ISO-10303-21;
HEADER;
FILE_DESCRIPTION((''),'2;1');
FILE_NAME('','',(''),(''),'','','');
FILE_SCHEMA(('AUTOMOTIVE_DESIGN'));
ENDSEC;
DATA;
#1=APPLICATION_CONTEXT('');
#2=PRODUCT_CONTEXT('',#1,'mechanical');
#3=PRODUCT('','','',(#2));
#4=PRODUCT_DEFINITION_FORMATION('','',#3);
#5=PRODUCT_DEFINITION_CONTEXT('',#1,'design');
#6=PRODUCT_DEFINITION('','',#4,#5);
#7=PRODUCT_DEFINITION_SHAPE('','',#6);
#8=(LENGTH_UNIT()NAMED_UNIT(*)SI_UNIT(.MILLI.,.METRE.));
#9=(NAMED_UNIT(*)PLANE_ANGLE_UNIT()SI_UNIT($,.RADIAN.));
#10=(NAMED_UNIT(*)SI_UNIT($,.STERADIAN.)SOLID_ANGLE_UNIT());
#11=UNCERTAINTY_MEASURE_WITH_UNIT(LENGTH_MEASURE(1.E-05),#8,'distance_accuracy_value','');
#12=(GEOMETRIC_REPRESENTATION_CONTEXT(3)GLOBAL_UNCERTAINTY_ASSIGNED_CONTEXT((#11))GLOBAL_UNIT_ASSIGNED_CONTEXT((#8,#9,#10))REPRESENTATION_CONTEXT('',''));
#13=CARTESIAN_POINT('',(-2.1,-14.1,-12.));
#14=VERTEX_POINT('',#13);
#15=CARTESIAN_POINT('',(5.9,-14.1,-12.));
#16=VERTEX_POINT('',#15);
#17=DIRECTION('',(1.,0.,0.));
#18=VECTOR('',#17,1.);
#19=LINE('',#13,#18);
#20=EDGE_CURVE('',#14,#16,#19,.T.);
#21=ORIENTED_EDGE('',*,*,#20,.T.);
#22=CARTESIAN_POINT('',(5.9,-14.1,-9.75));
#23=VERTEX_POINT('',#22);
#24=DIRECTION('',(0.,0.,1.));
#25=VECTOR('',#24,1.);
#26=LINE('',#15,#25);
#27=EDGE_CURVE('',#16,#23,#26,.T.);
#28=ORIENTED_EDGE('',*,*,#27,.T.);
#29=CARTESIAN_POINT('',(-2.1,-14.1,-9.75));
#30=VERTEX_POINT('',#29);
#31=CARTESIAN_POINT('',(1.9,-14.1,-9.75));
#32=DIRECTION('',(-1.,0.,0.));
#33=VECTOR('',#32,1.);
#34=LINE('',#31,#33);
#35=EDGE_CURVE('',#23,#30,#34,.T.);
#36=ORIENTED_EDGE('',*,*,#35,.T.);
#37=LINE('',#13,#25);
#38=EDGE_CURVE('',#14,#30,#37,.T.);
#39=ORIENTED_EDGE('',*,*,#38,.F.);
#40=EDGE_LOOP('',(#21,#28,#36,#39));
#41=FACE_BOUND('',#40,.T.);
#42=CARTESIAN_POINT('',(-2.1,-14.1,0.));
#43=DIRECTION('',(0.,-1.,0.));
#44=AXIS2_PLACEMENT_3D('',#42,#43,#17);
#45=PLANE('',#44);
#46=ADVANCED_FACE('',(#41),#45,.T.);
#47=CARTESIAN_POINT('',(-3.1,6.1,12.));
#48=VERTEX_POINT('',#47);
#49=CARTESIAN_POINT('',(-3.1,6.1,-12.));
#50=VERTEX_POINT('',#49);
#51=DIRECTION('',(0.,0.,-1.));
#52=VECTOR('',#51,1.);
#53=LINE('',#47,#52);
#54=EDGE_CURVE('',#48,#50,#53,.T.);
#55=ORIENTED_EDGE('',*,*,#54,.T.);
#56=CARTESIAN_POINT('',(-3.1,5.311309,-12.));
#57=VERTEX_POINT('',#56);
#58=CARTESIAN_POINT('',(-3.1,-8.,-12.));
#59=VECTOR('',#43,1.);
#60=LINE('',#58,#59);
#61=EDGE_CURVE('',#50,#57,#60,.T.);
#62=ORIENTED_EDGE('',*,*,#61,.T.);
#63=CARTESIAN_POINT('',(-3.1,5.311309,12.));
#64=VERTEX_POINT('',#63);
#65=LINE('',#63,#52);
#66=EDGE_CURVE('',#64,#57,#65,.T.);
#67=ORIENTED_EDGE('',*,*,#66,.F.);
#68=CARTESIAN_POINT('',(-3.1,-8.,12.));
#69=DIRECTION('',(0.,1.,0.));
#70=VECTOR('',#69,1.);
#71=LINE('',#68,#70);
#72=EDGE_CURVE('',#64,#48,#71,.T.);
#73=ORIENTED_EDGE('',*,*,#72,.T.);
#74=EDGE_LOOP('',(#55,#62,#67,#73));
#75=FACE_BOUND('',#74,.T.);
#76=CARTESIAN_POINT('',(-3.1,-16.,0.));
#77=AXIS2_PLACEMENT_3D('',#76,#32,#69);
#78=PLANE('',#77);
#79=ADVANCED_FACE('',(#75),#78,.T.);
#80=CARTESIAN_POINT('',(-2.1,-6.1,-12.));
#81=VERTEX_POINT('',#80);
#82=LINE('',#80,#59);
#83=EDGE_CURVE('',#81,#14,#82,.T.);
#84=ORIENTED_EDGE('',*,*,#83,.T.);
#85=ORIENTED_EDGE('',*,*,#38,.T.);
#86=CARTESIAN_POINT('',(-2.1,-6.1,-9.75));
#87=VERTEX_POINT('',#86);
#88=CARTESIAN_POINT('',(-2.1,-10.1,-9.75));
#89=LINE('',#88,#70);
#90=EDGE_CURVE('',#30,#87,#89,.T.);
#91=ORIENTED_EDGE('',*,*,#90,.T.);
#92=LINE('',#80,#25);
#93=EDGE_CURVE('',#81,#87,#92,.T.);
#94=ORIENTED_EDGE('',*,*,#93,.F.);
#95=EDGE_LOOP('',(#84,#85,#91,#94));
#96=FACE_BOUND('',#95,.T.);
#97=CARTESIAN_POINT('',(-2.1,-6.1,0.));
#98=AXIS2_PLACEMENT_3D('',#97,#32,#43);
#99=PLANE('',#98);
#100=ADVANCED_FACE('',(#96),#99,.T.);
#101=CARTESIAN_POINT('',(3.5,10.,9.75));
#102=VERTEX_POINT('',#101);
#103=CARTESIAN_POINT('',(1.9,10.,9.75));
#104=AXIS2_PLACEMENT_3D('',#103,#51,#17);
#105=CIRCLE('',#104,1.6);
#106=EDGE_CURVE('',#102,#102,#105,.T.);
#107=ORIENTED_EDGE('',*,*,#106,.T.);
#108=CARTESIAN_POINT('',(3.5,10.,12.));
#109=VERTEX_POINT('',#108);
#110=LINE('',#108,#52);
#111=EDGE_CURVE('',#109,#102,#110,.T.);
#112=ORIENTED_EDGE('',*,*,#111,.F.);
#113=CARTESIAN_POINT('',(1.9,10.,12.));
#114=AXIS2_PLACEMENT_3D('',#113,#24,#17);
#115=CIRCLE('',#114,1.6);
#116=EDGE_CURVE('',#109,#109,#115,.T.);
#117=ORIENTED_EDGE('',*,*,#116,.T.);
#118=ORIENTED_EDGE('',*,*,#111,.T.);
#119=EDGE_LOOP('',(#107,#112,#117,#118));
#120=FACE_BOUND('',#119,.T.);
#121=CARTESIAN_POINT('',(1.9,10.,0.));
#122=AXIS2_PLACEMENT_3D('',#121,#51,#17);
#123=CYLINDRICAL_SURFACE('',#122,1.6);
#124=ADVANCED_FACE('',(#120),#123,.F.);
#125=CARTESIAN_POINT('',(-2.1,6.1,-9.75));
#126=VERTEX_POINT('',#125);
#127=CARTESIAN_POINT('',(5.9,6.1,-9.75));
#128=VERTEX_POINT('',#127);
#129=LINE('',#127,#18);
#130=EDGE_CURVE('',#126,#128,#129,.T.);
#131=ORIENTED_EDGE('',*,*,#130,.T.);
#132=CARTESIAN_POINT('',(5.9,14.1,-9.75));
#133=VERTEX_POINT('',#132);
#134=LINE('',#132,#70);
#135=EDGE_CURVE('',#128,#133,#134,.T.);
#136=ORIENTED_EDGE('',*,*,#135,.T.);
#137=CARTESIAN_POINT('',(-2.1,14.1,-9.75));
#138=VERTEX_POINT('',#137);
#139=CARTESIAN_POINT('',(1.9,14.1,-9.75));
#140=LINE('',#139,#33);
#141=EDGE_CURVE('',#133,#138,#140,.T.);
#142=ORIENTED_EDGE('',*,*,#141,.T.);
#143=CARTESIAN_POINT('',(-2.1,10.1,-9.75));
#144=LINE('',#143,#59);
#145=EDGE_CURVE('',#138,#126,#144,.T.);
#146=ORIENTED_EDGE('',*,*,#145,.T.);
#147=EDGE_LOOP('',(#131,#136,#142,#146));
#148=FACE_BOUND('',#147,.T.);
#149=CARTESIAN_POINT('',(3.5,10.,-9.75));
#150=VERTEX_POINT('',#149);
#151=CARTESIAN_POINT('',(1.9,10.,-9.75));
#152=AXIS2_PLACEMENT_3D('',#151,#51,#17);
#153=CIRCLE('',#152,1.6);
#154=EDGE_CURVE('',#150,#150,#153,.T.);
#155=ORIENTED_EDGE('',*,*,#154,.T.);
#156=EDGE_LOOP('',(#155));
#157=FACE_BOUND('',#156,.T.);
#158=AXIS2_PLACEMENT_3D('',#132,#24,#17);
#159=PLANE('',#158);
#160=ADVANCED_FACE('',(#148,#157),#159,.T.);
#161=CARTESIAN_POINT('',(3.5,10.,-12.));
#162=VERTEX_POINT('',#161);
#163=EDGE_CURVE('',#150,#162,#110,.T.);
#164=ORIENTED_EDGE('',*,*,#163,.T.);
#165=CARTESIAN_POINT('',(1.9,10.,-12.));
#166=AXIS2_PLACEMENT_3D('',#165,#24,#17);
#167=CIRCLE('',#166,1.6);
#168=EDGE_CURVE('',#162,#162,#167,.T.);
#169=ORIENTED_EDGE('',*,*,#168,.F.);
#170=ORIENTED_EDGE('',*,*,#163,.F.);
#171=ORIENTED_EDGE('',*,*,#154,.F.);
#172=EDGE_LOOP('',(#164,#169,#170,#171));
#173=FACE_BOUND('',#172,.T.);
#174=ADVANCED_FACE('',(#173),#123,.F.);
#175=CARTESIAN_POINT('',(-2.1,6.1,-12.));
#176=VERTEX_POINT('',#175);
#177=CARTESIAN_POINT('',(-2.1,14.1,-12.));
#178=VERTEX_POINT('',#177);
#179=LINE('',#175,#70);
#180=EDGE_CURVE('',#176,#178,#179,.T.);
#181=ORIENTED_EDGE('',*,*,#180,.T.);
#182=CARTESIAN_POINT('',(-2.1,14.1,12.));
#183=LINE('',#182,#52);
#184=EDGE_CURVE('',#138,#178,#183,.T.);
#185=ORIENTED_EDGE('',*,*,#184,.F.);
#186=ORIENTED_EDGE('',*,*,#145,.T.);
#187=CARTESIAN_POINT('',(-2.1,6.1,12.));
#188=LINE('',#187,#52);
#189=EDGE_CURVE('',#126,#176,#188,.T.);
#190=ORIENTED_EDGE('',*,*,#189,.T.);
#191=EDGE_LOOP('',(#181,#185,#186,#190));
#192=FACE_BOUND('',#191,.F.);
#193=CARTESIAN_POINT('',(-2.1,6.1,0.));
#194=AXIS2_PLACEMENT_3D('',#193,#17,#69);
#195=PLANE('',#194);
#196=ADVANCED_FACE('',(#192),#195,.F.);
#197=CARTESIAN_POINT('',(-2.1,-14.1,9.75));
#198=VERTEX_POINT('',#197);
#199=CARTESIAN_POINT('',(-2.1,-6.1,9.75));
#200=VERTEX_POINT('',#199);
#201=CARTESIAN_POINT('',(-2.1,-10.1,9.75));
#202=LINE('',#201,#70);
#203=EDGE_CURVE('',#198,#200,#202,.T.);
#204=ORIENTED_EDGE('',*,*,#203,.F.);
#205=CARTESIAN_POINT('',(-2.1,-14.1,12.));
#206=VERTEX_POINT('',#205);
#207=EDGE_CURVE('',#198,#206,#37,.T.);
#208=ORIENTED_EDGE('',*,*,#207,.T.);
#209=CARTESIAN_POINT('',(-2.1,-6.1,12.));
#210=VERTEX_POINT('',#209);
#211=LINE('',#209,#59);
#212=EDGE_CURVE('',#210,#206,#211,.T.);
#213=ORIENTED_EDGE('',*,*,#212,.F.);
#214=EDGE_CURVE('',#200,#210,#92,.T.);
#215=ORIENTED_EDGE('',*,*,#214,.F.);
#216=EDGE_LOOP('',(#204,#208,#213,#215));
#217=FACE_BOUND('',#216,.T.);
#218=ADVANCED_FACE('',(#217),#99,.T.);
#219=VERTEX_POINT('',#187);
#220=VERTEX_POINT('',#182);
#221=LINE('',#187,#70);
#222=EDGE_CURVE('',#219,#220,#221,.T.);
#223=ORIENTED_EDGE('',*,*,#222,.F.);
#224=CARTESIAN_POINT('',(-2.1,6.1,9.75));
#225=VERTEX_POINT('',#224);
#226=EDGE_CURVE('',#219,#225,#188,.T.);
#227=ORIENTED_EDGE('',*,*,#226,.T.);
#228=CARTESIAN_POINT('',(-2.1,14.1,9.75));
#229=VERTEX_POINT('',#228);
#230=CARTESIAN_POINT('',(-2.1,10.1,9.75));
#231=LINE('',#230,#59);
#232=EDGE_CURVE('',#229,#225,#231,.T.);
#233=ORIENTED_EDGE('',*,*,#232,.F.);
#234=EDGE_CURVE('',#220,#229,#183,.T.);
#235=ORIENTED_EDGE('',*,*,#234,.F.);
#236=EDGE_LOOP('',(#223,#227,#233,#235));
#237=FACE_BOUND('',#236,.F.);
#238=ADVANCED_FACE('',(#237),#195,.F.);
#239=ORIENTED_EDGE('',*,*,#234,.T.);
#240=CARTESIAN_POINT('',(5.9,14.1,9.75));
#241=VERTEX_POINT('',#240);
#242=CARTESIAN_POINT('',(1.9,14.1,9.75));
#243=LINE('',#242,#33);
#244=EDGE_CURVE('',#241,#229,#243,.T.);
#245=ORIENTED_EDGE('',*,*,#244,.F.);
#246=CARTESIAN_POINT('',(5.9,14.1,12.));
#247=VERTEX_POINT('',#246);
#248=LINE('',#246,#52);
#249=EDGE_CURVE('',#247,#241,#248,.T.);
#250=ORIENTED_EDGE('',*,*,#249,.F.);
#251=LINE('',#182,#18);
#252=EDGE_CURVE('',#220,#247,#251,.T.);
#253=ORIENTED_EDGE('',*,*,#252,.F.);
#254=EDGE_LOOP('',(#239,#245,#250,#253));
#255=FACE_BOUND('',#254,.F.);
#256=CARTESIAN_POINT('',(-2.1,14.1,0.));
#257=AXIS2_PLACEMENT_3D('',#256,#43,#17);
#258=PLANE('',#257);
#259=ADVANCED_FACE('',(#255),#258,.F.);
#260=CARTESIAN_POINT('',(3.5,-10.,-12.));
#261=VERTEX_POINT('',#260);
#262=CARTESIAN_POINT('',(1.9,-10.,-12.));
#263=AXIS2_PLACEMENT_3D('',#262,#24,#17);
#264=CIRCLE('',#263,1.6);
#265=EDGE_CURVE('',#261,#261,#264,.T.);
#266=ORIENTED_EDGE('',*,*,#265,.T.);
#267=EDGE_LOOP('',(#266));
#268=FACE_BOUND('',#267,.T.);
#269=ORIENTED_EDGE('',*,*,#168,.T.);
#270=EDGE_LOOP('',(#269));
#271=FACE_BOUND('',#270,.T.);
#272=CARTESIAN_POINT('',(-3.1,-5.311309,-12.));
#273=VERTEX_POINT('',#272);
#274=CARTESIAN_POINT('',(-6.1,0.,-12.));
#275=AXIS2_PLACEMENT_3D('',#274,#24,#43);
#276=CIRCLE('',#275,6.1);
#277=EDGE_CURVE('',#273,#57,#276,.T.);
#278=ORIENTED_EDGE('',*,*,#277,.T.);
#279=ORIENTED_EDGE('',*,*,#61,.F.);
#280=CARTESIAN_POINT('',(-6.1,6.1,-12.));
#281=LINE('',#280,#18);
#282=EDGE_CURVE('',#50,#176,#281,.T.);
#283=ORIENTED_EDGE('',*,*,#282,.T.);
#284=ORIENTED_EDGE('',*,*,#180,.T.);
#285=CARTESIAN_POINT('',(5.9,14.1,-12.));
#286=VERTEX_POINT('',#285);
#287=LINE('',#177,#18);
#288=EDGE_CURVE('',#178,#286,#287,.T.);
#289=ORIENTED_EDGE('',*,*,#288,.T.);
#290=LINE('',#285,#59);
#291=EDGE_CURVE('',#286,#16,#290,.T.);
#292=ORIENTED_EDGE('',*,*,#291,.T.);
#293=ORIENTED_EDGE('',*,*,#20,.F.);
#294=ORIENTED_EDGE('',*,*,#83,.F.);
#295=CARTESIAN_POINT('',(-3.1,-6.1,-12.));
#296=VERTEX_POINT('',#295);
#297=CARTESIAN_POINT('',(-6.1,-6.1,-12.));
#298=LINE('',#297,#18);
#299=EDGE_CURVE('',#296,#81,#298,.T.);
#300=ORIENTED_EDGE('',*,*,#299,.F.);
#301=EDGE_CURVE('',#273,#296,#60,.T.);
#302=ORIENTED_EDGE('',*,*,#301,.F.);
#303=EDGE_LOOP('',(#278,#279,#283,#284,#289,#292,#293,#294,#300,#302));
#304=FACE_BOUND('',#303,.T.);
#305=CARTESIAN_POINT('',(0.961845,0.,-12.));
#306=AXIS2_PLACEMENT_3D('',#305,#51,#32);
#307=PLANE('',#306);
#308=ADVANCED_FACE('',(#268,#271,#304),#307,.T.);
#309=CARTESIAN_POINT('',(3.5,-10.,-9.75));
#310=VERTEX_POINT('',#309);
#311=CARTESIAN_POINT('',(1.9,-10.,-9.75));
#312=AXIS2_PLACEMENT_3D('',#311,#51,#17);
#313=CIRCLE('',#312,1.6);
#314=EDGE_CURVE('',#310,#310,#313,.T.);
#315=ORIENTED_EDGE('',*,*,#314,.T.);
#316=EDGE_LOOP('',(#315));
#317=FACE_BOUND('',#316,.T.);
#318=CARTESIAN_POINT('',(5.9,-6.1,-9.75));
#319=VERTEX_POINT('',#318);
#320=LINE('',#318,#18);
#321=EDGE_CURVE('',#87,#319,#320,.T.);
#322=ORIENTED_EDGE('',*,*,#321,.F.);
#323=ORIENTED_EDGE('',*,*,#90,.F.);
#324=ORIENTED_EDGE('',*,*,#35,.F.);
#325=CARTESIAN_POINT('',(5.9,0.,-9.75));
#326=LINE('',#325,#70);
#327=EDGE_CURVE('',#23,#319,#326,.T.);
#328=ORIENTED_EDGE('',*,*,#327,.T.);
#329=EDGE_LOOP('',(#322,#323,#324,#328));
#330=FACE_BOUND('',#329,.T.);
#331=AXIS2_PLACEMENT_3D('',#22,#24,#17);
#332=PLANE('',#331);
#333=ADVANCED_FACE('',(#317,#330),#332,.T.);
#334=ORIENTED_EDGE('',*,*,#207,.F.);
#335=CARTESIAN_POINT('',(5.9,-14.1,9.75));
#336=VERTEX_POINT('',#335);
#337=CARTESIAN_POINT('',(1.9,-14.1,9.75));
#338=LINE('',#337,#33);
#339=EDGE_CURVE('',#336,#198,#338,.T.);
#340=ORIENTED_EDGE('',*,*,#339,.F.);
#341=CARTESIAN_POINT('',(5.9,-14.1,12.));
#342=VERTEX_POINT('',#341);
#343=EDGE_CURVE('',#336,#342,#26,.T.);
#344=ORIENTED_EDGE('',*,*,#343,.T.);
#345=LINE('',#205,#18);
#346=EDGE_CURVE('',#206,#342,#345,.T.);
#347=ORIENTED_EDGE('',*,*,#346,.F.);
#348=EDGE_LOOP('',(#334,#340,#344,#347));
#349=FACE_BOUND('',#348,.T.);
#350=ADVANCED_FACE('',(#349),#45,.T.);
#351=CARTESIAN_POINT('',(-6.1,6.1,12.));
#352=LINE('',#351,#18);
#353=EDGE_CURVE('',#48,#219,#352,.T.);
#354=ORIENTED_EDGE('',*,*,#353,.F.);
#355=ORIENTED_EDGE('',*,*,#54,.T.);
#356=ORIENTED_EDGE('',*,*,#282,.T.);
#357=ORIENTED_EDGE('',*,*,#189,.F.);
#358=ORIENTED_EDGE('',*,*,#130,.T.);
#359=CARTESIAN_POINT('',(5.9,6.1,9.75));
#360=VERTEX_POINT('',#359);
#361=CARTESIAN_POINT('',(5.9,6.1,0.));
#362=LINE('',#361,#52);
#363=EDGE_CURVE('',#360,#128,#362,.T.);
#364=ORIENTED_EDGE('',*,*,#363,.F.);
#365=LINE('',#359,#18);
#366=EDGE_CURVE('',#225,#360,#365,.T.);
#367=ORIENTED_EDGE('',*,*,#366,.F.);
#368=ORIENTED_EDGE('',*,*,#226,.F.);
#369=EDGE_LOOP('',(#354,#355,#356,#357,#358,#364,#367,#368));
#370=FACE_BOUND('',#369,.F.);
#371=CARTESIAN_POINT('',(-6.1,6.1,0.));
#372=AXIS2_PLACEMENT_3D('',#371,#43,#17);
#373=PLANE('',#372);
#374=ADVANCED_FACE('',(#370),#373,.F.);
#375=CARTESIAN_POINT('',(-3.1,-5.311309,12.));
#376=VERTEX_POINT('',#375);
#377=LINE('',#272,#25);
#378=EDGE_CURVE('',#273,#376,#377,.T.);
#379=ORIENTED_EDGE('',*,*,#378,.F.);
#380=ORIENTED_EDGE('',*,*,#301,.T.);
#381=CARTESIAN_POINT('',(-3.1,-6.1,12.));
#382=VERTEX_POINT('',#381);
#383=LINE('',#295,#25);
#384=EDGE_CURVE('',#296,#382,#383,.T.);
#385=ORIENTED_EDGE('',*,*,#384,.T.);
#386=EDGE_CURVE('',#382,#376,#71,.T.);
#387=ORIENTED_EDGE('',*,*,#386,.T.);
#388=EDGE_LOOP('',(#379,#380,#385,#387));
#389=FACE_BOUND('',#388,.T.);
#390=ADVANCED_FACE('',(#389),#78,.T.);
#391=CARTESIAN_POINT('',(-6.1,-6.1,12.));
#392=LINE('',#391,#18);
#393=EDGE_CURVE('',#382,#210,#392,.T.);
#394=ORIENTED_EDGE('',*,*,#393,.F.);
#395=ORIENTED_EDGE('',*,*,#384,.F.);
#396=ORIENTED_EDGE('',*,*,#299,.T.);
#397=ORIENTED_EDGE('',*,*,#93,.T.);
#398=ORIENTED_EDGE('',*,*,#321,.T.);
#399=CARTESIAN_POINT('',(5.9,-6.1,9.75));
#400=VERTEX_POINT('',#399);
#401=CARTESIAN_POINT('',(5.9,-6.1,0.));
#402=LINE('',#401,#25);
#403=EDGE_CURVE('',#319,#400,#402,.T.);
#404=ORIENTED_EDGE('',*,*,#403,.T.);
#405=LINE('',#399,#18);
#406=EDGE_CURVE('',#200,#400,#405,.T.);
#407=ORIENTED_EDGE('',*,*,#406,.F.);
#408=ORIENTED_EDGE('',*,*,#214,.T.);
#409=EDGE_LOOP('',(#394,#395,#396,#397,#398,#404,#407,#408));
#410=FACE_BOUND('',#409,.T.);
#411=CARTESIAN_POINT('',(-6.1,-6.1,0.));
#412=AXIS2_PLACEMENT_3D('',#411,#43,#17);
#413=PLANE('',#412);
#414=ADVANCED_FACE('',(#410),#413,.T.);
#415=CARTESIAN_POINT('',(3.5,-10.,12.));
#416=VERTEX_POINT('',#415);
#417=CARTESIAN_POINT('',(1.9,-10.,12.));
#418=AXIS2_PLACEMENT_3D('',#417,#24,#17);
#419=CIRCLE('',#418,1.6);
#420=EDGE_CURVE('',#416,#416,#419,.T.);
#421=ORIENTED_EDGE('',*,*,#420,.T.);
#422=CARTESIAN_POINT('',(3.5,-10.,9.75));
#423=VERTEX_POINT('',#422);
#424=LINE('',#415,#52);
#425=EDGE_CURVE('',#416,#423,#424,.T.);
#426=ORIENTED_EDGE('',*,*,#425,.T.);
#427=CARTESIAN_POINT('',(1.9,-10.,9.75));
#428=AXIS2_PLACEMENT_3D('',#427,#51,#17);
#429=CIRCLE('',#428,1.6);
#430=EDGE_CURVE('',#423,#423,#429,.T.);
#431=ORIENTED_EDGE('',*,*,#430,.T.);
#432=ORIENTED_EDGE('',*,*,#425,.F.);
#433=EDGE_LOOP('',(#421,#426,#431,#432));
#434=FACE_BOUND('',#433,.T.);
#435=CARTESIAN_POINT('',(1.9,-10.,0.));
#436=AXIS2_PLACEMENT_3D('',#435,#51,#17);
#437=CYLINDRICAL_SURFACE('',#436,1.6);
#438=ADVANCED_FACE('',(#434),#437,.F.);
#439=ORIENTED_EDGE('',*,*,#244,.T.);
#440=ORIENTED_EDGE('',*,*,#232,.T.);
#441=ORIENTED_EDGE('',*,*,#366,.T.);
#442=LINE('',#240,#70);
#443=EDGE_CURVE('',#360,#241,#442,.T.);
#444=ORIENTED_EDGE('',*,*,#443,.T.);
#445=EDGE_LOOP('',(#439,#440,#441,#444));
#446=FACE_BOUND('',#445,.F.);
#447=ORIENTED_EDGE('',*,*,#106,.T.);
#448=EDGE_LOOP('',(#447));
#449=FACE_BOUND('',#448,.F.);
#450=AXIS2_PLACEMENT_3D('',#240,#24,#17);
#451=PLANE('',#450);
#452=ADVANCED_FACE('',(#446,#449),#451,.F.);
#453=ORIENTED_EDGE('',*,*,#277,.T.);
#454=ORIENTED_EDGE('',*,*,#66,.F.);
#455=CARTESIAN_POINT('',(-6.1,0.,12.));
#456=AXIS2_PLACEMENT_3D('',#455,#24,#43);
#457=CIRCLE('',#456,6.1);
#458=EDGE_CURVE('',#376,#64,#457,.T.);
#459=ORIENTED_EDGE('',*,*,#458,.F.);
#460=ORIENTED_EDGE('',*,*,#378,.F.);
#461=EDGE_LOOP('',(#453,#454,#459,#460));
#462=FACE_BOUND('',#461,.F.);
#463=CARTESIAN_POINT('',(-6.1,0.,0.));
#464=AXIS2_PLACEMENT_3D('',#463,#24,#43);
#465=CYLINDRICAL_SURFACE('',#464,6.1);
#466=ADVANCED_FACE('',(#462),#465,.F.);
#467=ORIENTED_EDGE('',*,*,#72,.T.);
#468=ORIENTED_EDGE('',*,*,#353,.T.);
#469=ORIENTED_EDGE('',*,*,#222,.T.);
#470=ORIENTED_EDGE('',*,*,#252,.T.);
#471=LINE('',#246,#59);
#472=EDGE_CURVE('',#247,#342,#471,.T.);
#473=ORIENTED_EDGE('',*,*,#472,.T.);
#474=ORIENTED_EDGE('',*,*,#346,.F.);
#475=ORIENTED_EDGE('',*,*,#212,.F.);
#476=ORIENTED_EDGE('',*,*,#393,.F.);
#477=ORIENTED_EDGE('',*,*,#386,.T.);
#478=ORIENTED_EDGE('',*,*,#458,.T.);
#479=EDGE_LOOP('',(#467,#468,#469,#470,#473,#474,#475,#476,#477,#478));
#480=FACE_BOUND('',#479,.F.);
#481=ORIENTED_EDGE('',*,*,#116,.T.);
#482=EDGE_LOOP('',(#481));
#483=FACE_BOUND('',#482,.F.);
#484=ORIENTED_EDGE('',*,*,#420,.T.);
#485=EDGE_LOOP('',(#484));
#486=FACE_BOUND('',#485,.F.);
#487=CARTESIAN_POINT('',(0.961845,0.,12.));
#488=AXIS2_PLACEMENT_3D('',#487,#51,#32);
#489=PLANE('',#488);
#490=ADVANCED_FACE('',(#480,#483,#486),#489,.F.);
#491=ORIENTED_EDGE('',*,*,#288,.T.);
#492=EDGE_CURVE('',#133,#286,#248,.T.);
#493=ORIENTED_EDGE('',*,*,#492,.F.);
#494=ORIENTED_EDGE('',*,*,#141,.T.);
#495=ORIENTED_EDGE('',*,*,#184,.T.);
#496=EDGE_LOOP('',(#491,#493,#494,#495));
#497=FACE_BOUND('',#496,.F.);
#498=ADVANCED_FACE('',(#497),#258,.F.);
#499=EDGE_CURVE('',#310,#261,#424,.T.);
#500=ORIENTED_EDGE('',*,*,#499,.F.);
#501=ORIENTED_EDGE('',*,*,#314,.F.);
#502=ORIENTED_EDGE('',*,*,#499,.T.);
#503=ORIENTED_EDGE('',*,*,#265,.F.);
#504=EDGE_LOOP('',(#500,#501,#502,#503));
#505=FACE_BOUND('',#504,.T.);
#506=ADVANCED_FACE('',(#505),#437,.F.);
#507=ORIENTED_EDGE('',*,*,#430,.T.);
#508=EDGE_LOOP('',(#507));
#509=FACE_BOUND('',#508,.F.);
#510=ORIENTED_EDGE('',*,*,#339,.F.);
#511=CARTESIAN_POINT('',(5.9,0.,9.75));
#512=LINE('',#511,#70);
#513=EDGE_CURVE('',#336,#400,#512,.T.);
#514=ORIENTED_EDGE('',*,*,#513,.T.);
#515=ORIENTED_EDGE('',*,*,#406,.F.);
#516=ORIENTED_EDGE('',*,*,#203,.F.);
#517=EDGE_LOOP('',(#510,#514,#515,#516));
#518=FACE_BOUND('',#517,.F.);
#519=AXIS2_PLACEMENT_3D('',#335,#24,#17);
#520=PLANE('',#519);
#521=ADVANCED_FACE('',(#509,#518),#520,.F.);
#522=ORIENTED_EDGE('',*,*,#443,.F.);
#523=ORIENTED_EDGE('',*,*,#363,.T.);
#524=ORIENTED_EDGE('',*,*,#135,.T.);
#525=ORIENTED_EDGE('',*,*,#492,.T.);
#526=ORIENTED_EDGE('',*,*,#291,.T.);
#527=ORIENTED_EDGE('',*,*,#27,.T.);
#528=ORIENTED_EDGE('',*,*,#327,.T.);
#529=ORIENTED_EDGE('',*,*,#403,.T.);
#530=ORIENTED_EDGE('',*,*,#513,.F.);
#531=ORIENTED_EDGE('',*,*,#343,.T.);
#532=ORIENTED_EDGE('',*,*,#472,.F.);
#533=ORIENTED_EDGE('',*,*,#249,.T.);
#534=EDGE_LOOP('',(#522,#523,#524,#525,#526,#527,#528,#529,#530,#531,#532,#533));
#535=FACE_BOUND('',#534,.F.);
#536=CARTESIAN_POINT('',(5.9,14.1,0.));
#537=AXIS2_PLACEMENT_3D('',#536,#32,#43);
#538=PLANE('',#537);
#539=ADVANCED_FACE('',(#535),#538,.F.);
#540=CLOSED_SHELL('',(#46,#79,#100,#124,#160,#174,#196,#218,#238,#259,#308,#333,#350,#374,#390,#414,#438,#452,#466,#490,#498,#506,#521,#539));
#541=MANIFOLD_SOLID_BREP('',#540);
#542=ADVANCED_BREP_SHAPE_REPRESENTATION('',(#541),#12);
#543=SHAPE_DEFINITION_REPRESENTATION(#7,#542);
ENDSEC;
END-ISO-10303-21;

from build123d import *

# Parameters (mm, degrees)
SKETCH_R          = 1.6
PAD_DEPTH         = 12
SKETCH001_W       = 8
SKETCH001_H       = 32
POCKET_DEPTH      = 12.001
POCKET_DEPTH_BACK = 12.001
SKETCH002_W       = 24
SKETCH002_H       = 16
POCKET001_DEPTH   = 9.75


with BuildPart() as part:
    # Sketch → Pad (new body, symmetric)
    with BuildSketch(Plane.XY):
        with BuildLine():
            ThreePointArc((-6.1, -6.1), (0, 0), (-6.1, 6.1))
            Line((-6.1, 6.1), (-2.1, 6.1))
            Line((-2.1, 6.1), (-2.1, 14.1))
            Line((-2.1, 14.1), (5.9, 14.1))
            Line((5.9, 14.1), (5.9, -14.1))
            Line((-2.1, -14.1), (5.9, -14.1))
            Line((-2.1, -6.1), (-2.1, -14.1))
            Line((-6.1, -6.1), (-2.1, -6.1))
        make_face()
        with Locations((1.9, 10)):
            Circle(SKETCH_R, mode=Mode.SUBTRACT)
        with Locations((1.9, -10)):
            Circle(SKETCH_R, mode=Mode.SUBTRACT)
    extrude(amount=PAD_DEPTH, both=True)

    # Sketch001 → Pocket (cut, two sides)
    with BuildSketch(Plane.XY) as pocket_sk:
        with Locations((-7.1, 0)):
            Rectangle(SKETCH001_W, SKETCH001_H)
    extrude(amount=-POCKET_DEPTH, mode=Mode.SUBTRACT)
    extrude(pocket_sk.sketch, amount=POCKET_DEPTH_BACK, mode=Mode.SUBTRACT)

    # Sketch002 → Pocket001 (cut, symmetric)
    with BuildSketch(Plane.XY):
        with Locations((5.9, 14.1)):
            Rectangle(SKETCH002_W, SKETCH002_H)
        with Locations((5.9, -14.1)):
            Rectangle(SKETCH002_W, SKETCH002_H)
    extrude(amount=POCKET001_DEPTH, both=True, mode=Mode.SUBTRACT)


solid = part.part
